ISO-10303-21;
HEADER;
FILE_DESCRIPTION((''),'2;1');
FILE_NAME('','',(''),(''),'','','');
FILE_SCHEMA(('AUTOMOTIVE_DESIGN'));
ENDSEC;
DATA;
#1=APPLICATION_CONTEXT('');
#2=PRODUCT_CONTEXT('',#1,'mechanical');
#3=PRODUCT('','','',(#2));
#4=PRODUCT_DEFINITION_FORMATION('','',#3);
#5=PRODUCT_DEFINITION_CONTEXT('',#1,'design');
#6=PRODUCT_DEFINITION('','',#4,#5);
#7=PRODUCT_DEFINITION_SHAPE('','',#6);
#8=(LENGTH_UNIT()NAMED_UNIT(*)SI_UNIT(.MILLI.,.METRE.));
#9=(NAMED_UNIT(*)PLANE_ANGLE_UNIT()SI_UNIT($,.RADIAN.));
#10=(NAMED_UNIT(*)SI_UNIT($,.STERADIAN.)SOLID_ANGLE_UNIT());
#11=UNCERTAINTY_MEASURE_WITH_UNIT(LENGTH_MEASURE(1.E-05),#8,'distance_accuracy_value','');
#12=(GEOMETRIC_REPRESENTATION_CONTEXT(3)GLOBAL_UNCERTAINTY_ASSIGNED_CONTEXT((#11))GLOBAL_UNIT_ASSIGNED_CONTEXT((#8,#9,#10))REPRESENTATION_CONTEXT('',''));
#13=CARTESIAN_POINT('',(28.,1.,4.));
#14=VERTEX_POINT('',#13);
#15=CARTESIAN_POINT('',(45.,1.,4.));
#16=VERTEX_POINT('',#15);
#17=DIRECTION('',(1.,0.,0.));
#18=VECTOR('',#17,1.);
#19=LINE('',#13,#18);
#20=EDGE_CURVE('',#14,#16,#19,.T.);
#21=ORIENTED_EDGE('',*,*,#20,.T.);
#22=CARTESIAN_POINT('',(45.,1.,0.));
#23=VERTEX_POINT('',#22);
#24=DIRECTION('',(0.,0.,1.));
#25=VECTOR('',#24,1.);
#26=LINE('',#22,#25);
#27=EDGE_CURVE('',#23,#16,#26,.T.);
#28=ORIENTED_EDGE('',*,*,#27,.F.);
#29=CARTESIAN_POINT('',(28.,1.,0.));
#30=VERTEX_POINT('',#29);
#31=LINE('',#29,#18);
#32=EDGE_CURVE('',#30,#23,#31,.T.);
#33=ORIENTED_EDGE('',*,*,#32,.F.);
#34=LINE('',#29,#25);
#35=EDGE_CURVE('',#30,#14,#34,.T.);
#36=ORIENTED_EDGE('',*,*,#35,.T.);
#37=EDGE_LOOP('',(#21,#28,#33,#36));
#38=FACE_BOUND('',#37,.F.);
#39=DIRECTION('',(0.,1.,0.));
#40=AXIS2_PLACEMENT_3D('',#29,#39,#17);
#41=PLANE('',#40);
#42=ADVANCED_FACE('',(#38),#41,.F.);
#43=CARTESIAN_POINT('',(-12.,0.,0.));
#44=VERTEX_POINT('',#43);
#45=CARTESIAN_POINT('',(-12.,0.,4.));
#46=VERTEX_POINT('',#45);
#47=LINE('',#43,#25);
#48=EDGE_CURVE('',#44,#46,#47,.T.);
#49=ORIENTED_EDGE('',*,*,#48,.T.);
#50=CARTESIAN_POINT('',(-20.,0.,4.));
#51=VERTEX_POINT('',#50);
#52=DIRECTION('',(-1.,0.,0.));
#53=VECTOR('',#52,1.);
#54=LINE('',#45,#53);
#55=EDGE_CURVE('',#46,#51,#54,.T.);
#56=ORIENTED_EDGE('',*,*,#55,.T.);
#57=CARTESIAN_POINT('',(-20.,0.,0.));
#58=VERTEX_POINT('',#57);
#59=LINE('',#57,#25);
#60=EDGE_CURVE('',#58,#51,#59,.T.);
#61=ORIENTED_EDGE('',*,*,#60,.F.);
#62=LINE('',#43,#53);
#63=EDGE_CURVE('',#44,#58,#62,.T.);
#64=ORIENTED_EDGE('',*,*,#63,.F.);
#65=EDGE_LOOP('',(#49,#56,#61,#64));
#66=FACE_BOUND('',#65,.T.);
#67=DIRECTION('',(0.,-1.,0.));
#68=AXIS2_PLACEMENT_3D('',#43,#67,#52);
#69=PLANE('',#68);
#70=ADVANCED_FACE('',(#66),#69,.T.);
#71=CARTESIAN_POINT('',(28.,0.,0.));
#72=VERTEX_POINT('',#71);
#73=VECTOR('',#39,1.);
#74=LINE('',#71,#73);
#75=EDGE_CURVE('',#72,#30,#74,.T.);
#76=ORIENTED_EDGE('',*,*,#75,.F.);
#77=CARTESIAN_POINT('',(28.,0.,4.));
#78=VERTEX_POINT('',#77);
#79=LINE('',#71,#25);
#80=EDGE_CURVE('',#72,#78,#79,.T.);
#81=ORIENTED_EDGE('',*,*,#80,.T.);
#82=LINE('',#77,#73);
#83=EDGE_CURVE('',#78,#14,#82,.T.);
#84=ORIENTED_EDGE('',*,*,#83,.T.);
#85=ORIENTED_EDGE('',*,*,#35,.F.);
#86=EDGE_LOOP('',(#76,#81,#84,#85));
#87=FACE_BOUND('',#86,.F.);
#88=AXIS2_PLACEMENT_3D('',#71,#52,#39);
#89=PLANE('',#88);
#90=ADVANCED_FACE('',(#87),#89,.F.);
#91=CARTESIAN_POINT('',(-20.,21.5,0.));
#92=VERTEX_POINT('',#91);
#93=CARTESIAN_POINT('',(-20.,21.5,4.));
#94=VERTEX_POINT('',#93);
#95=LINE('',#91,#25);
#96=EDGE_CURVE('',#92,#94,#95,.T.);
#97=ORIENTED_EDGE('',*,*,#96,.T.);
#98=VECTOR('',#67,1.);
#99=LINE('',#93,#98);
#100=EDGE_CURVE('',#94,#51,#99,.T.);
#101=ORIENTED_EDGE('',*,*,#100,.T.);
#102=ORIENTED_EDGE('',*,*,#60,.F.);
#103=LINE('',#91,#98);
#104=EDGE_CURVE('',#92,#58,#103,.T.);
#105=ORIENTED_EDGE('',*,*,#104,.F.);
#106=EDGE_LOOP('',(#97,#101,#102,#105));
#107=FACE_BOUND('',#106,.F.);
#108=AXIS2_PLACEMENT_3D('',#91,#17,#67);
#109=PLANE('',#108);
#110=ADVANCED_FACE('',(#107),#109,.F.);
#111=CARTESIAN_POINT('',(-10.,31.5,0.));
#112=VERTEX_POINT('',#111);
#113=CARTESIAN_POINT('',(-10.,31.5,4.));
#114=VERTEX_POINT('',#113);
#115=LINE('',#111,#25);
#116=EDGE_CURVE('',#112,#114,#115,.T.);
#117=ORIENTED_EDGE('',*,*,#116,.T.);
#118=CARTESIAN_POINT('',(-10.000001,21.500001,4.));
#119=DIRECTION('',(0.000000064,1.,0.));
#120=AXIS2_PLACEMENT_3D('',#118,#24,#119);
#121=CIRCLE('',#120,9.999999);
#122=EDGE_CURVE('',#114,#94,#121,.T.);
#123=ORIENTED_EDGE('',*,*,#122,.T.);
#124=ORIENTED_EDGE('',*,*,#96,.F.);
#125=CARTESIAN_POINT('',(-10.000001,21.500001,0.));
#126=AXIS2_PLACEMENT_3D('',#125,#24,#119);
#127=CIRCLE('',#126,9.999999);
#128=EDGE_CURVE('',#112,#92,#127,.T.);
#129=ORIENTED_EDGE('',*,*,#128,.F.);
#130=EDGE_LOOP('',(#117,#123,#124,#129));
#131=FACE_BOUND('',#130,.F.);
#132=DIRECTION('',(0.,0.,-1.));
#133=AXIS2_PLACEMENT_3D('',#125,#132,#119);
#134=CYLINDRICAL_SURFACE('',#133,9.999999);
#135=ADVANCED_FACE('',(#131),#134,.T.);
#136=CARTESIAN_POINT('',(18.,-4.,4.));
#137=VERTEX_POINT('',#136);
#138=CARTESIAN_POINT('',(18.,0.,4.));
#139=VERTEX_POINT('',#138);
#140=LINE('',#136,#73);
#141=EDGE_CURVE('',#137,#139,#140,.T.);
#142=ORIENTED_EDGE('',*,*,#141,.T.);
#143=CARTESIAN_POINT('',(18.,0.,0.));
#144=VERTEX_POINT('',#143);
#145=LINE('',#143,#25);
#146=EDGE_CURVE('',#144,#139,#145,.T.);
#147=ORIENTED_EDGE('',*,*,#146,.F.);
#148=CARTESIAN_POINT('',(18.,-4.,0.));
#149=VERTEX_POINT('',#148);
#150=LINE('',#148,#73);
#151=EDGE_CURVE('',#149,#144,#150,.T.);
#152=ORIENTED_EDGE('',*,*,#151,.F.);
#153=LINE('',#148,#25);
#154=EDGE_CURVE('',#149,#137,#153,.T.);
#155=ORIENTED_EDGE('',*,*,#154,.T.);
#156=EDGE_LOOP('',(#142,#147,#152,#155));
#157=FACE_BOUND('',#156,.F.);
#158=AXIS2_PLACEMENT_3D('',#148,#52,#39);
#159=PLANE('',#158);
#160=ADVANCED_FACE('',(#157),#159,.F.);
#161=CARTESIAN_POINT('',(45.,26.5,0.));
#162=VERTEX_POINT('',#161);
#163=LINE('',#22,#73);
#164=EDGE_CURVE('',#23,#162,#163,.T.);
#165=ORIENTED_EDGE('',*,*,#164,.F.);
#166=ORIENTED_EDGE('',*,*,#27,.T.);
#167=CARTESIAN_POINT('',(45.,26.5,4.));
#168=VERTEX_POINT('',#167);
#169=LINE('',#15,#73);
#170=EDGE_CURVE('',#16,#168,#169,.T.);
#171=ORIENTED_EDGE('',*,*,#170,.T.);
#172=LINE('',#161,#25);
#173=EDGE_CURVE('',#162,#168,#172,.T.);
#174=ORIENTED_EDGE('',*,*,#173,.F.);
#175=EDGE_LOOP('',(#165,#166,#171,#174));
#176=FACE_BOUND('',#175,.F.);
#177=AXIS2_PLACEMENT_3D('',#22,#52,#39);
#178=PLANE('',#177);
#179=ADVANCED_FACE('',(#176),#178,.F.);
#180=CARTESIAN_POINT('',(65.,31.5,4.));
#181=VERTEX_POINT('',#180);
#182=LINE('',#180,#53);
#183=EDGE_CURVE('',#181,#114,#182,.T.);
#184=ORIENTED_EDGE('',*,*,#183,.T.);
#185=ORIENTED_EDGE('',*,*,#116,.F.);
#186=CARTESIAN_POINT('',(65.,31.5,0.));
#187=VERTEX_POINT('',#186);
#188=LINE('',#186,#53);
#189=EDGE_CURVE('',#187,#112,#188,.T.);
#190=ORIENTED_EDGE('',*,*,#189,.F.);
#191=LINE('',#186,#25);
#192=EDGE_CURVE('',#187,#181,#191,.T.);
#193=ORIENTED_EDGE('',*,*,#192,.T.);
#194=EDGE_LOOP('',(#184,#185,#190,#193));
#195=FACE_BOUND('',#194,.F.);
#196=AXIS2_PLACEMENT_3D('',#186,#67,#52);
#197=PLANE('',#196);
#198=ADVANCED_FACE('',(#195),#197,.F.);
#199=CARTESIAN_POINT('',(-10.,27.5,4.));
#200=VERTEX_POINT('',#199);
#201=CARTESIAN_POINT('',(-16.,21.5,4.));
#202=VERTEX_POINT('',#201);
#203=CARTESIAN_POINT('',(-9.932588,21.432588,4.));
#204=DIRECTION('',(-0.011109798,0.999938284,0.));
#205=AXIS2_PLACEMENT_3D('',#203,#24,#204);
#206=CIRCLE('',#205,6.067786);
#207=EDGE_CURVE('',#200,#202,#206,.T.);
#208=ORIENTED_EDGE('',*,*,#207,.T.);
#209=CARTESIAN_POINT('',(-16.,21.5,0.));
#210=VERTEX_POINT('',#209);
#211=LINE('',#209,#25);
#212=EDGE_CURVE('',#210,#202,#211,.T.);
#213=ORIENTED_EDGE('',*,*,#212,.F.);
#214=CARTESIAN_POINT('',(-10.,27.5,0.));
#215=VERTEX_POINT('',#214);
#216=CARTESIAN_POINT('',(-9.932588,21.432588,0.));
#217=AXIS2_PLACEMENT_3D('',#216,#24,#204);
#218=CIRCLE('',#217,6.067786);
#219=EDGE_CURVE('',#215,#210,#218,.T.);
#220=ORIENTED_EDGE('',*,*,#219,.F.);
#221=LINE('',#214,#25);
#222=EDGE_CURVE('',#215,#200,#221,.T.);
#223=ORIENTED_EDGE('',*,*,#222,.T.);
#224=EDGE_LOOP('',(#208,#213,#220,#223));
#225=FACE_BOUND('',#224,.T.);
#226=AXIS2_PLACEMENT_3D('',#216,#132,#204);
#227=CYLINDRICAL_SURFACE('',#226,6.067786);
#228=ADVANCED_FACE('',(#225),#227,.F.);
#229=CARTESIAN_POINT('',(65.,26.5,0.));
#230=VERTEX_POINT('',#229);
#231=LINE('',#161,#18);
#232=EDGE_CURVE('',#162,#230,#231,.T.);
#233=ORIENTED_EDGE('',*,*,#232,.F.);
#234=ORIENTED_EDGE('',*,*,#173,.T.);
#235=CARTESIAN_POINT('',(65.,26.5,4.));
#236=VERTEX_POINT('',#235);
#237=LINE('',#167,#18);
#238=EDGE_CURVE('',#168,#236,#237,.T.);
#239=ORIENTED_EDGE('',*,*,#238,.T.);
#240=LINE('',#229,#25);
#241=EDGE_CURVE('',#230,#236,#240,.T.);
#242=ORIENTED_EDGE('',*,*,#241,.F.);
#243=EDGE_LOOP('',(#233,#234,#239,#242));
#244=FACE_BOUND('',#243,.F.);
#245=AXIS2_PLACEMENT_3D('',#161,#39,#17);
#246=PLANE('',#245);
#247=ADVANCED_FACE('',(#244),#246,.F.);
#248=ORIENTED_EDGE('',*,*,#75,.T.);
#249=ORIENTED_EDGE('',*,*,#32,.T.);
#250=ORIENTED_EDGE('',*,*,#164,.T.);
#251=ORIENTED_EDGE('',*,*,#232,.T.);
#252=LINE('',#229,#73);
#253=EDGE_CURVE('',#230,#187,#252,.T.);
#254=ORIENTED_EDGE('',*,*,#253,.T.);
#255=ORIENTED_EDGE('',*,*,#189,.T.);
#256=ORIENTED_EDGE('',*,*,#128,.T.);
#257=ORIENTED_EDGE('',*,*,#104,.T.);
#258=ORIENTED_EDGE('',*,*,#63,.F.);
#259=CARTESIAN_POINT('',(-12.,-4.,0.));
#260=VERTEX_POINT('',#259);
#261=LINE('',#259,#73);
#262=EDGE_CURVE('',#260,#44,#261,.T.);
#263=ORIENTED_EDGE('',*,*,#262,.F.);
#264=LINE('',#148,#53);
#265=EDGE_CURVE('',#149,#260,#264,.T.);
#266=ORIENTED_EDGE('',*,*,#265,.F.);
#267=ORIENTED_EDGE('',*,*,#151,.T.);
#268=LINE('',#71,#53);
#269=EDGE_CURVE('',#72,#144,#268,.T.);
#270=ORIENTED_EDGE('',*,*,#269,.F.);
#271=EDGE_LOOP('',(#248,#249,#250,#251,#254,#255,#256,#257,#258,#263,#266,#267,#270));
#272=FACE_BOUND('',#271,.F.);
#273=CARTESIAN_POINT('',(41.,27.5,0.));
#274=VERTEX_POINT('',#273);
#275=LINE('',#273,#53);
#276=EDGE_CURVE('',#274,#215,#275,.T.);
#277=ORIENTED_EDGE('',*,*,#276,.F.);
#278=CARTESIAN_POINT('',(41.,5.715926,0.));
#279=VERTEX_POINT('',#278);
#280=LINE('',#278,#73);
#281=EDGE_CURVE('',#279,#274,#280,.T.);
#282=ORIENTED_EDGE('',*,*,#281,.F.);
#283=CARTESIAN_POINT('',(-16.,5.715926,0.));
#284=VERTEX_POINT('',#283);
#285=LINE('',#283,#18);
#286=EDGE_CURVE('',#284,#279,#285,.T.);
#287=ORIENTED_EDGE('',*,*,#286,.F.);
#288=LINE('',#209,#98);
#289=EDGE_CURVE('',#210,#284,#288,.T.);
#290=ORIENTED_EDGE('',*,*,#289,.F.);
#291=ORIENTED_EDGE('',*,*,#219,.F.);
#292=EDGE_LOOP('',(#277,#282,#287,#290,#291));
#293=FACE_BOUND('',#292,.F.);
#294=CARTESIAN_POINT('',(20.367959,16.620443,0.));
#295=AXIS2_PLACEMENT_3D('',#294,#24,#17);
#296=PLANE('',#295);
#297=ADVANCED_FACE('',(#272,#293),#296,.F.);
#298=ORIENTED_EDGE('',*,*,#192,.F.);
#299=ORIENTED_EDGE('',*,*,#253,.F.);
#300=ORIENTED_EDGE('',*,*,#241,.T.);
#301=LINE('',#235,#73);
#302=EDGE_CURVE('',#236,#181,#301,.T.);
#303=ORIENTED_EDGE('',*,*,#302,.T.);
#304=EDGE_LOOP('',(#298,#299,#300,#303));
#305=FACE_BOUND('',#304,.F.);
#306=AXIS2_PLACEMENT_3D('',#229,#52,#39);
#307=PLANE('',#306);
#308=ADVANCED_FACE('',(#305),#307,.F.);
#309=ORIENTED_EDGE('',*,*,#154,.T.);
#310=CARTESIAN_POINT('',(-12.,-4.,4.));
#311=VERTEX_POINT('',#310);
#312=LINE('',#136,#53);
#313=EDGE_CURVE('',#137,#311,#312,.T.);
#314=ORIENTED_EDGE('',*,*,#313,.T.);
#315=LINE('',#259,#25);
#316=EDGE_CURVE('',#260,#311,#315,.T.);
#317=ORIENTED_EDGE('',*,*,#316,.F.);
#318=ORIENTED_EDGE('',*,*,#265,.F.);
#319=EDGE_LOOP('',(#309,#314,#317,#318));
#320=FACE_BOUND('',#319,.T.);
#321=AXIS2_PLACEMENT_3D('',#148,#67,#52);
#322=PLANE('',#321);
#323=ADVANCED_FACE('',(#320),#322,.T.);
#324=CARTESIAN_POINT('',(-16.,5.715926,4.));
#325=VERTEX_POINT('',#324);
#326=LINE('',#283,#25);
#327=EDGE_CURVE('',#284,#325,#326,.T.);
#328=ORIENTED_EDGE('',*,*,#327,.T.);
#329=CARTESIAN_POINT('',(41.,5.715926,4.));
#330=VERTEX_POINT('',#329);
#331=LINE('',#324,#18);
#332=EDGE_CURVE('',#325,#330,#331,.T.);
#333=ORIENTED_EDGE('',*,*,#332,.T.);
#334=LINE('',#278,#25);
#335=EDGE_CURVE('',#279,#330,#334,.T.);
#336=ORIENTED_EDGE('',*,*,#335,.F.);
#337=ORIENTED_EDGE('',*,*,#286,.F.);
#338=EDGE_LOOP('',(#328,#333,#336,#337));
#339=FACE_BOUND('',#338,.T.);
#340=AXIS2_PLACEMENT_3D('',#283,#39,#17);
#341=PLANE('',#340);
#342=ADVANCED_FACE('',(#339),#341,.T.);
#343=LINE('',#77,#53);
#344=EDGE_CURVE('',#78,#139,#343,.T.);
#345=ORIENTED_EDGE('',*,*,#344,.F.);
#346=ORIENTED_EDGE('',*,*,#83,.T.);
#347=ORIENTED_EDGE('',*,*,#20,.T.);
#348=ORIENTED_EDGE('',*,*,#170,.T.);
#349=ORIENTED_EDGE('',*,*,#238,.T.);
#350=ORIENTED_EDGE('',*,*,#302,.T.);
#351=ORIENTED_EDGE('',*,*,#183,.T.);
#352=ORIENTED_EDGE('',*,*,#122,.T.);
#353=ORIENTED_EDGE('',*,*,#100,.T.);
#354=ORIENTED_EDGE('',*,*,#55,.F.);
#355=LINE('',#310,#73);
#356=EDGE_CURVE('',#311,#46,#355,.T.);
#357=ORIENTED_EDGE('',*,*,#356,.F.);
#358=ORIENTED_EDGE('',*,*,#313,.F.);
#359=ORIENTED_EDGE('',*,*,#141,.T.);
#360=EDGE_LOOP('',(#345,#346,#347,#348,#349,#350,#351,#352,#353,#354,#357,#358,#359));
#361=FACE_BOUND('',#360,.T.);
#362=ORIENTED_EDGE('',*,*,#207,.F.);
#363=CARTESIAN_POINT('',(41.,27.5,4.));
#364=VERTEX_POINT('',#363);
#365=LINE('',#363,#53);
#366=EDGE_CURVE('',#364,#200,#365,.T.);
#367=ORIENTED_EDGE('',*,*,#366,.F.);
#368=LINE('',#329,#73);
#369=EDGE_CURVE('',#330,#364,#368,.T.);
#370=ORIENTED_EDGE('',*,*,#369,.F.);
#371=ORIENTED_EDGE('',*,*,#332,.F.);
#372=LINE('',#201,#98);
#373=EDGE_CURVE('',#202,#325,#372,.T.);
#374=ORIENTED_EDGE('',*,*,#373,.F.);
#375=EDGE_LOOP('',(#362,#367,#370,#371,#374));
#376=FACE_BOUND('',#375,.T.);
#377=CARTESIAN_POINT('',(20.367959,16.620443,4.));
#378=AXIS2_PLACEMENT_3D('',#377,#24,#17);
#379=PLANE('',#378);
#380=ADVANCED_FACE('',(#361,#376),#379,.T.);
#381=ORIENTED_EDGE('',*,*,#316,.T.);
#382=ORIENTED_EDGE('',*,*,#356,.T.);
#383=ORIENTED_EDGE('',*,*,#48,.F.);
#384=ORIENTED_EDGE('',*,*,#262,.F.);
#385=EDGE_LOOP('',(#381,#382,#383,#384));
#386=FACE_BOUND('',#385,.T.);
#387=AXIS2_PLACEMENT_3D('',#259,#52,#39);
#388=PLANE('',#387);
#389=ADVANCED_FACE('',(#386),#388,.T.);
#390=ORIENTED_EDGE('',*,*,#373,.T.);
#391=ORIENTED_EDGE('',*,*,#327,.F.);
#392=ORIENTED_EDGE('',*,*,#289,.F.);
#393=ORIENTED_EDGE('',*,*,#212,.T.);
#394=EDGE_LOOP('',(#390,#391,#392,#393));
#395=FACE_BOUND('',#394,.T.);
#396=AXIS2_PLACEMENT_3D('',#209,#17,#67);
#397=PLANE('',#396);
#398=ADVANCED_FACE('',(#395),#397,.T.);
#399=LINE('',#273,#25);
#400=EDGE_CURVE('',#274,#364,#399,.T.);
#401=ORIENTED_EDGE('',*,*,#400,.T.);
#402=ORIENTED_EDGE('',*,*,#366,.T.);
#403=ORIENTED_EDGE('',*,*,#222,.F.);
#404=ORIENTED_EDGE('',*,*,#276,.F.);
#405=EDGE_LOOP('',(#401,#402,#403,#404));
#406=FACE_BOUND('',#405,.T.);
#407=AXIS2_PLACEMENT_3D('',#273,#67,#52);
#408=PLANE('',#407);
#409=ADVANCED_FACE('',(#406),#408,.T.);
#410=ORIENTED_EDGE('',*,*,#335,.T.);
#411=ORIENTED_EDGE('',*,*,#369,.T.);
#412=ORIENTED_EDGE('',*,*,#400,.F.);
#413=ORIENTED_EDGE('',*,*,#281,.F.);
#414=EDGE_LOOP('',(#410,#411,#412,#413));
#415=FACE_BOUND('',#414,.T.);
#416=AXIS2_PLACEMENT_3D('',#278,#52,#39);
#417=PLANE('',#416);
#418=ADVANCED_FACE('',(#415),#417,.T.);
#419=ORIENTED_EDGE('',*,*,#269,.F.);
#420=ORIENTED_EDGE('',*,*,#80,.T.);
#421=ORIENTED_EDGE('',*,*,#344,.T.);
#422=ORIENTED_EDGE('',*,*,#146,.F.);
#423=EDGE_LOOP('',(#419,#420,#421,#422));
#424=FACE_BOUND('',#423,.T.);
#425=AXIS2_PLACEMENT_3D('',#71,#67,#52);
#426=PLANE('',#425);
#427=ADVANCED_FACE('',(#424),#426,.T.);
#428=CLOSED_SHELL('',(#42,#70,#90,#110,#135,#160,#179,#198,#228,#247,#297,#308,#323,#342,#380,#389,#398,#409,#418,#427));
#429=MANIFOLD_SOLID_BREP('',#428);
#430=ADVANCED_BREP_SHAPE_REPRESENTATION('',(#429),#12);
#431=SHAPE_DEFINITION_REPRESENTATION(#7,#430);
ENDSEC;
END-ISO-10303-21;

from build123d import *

# Parameters (mm, degrees)
PAD_DEPTH = 4


with BuildPart() as part:
    # Sketch002 → Pad (new body)
    with BuildSketch(Plane.XY):
        with BuildLine():
            Line((65, 31.5), (-10, 31.5))
            ThreePointArc((-10, 31.5), (-17.071068, 28.571068), (-20, 21.5))
            Line((-20, 21.5), (-20, 0))
            Line((-12, 0), (-20, 0))
            Line((-12, -4), (-12, 0))
            Line((18, -4), (-12, -4))
            Line((18, -4), (18, 0))
            Line((28, 0), (18, 0))
            Line((28, 0), (28, 1))
            Line((28, 1), (45, 1))
            Line((45, 1), (45, 26.5))
            Line((45, 26.5), (65, 26.5))
            Line((65, 26.5), (65, 31.5))
        make_face()
        with BuildLine():
            Line((-16, 21.5), (-16, 5.715926))
            Line((-16, 5.715926), (0, 5.715926))
            Line((0, 5.715926), (35, 5.715926))
            Line((35, 5.715926), (41, 5.715926))
            Line((41, 5.715926), (41, 27.5))
            Line((41, 27.5), (-10, 27.5))
            ThreePointArc((-10, 27.5), (-14.223161, 25.723161), (-16, 21.5))
        make_face(mode=Mode.SUBTRACT)
    extrude(amount=PAD_DEPTH)


solid = part.part
